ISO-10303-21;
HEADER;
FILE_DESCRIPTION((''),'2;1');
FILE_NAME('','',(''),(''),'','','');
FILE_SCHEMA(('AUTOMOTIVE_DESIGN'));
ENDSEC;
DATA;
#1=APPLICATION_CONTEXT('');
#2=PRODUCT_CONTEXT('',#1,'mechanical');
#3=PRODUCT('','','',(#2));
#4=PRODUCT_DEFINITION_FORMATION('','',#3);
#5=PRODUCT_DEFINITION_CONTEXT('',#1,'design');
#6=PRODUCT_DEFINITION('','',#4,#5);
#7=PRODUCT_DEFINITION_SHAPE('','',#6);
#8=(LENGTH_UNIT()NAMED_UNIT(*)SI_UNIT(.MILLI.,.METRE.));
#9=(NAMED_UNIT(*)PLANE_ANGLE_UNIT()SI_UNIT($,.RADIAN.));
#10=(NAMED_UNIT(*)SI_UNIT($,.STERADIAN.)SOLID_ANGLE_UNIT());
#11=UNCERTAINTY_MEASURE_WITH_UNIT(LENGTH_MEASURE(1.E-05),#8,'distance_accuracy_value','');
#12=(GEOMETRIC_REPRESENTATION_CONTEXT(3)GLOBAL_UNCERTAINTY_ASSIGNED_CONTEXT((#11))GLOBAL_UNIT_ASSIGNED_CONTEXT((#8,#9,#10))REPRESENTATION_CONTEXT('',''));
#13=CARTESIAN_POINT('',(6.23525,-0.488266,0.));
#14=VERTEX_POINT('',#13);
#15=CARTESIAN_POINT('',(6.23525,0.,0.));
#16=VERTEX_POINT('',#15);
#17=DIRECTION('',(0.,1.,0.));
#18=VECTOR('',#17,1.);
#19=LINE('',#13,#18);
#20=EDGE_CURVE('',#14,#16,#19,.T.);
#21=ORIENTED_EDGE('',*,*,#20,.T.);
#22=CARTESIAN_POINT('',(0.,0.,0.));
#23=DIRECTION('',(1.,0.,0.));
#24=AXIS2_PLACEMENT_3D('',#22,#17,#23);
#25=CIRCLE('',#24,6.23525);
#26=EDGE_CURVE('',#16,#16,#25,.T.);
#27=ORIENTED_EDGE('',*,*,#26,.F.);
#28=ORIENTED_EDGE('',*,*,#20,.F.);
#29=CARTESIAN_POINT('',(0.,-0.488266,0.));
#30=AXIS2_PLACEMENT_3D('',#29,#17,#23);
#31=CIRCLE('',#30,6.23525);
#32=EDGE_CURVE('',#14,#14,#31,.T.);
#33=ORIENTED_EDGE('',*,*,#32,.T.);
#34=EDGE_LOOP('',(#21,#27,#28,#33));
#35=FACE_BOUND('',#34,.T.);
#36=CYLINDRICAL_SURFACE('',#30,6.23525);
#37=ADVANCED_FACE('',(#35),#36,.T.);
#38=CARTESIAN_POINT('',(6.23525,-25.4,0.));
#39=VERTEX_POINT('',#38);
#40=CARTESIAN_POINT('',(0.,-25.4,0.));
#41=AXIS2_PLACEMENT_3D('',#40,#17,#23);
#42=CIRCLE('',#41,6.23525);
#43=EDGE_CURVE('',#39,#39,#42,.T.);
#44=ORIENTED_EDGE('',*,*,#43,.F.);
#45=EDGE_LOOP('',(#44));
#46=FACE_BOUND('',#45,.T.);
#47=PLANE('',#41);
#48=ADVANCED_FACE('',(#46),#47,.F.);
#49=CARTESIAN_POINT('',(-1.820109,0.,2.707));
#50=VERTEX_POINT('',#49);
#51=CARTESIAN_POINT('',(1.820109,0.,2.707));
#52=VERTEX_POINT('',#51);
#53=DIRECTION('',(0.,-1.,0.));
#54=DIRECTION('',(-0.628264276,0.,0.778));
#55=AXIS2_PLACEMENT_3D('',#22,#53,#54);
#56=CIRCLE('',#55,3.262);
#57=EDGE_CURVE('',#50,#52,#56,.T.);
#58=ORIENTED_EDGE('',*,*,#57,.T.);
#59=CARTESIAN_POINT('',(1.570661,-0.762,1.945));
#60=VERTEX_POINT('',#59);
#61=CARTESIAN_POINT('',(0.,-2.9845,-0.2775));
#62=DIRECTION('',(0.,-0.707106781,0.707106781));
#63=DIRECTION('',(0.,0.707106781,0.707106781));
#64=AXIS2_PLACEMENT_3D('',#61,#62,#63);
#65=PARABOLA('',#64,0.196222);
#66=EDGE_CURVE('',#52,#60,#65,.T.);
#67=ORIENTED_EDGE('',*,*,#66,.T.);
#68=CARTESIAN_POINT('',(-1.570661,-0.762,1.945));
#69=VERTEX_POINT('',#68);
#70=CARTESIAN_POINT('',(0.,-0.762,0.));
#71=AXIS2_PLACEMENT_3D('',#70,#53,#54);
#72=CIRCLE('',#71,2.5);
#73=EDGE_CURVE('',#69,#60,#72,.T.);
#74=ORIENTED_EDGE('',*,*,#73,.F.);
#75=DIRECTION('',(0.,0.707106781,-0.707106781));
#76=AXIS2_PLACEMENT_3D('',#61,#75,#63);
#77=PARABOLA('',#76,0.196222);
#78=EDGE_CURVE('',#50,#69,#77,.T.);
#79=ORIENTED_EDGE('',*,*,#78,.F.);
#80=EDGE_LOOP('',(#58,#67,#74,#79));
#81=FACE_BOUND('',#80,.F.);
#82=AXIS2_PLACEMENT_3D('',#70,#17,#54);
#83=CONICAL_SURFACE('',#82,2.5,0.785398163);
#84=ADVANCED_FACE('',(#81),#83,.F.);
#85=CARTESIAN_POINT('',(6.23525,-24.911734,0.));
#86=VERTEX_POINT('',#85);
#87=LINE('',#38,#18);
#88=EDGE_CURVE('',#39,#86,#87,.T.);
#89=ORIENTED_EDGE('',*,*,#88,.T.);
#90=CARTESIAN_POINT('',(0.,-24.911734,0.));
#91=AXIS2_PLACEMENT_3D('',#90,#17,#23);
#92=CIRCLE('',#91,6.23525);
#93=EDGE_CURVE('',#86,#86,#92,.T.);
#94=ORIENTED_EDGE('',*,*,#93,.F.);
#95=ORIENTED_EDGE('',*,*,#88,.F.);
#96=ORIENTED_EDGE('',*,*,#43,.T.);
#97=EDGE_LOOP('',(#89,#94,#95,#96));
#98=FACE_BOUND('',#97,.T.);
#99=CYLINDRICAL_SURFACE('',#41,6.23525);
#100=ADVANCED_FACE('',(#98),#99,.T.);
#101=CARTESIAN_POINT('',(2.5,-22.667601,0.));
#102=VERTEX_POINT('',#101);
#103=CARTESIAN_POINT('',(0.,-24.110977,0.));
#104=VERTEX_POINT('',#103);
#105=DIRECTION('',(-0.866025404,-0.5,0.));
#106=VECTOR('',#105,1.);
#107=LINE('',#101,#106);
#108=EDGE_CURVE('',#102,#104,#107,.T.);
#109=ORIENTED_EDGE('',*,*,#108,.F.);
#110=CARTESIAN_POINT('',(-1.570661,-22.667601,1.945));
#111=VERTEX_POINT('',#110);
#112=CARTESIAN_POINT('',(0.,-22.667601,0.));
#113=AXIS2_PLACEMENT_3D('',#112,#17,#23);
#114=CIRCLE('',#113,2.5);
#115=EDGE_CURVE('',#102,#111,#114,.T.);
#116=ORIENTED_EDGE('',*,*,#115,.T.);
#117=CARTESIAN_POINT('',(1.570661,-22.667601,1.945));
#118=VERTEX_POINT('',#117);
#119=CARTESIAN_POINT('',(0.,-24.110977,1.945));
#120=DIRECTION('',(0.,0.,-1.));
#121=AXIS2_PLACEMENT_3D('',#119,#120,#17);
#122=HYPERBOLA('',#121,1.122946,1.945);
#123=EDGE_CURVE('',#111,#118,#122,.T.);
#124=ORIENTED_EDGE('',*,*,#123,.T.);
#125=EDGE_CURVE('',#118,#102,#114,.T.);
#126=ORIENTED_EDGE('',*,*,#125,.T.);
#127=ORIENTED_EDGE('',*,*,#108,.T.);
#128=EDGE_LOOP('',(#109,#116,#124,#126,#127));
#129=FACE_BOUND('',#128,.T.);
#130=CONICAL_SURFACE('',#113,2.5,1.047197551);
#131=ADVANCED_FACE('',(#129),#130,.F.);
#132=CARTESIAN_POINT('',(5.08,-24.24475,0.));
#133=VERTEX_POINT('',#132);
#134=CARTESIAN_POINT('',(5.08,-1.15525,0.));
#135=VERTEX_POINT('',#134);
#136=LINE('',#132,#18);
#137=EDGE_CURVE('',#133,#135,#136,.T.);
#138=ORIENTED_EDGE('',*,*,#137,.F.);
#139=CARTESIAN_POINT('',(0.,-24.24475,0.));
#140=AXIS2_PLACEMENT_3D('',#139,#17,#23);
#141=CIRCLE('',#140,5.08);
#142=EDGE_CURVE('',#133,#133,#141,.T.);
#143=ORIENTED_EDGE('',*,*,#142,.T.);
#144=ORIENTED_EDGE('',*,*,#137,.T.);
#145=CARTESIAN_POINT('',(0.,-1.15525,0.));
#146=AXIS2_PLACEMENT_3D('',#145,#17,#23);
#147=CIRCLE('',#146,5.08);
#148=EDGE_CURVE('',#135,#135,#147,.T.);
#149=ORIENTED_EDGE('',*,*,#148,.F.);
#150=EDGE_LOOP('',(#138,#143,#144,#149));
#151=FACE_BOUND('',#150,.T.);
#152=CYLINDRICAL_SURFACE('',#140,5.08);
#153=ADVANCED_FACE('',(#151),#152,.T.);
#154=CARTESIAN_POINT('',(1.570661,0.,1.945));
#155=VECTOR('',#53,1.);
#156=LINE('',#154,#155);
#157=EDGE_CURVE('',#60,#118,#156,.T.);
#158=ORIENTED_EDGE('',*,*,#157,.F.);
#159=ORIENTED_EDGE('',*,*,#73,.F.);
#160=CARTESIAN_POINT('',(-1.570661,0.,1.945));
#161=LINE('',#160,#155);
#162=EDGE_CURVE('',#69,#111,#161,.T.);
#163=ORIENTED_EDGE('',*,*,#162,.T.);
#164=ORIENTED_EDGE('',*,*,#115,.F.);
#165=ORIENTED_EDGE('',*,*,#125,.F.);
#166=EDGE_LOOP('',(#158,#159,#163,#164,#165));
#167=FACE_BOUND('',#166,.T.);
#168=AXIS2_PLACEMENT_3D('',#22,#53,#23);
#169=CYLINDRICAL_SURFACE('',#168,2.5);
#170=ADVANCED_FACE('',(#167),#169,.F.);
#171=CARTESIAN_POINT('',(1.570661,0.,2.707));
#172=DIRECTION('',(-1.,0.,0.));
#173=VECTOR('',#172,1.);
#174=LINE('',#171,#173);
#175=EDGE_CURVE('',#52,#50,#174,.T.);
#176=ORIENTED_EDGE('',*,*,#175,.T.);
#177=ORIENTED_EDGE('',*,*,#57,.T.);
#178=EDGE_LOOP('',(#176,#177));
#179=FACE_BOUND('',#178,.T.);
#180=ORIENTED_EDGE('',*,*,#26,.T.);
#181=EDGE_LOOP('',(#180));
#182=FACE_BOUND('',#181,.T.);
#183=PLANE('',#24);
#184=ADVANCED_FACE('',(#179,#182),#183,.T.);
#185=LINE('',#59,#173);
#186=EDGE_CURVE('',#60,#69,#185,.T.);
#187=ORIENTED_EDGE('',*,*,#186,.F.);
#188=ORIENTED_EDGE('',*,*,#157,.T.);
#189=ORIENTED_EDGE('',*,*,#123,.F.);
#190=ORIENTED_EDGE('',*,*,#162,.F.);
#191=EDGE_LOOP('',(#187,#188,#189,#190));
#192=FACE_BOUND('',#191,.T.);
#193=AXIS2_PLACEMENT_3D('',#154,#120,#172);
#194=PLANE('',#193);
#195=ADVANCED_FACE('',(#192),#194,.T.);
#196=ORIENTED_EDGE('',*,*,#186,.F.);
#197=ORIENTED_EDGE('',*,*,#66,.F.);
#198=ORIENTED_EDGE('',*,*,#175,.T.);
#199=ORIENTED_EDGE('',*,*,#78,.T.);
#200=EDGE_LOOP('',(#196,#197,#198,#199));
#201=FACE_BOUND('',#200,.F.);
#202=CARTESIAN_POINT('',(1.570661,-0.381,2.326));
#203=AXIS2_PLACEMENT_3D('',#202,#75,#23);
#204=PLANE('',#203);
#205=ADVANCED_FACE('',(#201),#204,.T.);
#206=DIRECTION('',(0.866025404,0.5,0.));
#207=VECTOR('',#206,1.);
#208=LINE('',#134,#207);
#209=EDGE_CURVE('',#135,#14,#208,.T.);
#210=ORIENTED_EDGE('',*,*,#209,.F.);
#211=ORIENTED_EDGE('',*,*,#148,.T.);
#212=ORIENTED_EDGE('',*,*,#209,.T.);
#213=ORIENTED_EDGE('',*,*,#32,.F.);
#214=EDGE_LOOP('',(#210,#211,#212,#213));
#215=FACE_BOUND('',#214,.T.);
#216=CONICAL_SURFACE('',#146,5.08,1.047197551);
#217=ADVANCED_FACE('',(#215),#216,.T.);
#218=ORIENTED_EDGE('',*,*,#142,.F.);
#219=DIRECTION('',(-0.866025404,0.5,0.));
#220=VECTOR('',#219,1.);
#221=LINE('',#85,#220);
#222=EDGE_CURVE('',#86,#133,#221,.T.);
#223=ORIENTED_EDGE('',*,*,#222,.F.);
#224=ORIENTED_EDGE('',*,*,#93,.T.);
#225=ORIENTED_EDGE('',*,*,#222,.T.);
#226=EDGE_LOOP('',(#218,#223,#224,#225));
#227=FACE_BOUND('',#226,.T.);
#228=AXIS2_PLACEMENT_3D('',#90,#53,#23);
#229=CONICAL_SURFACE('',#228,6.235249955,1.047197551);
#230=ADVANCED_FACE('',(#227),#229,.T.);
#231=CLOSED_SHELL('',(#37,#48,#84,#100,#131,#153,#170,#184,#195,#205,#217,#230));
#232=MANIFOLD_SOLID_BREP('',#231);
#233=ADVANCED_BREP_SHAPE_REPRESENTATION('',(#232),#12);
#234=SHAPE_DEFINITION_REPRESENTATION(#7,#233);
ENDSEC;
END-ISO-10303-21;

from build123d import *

# Parameters (mm, degrees)
F4_SIZE = 0.762


with BuildPart() as f1:
    # F0 (on Top) → F1 (revolve)
    with BuildSketch(Plane.XY):
        Polygon((0, -25.4), (2.5, -25.4), (2.5, -22.6676009336), (0, -24.1109766066), align=None)
        Polygon((2.5, -22.6676009336), (2.5, -25.4), (6.2352499547, -25.4), (6.2352499547, -24.9117339176), (5.08, -24.2447500453), (5.08, -1.1552499547), (6.2352499547, -0.4882660824), (6.2352499547, 0), (2.5, 0), align=None)
    revolve(axis=Axis((0, -12.0554883033, 0), (0, 1, 0)))

    # F2 (on face) → F3 (join, up to the next surface of F1)
    with BuildSketch(Plane(origin=(0, 0, 0), x_dir=(-1, 0, 0), z_dir=(0, 1, 0))):
        with BuildLine():
            ThreePointArc((1.570660689, 1.945), (0, 2.5), (-1.570660689, 1.945))
            Line((-1.570660689, 1.945), (1.570660689, 1.945))
        make_face()
    extrude(until=Until.NEXT, dir=(0, -1, 0))

    # F4
    f4_edges = [f1.edges().sort_by_distance(p)[0] for p in [
        (0, 0, -2.5),
        (0, 0, 1.945),
    ]]
    chamfer(f4_edges, length=F4_SIZE)


solid = f1.part
